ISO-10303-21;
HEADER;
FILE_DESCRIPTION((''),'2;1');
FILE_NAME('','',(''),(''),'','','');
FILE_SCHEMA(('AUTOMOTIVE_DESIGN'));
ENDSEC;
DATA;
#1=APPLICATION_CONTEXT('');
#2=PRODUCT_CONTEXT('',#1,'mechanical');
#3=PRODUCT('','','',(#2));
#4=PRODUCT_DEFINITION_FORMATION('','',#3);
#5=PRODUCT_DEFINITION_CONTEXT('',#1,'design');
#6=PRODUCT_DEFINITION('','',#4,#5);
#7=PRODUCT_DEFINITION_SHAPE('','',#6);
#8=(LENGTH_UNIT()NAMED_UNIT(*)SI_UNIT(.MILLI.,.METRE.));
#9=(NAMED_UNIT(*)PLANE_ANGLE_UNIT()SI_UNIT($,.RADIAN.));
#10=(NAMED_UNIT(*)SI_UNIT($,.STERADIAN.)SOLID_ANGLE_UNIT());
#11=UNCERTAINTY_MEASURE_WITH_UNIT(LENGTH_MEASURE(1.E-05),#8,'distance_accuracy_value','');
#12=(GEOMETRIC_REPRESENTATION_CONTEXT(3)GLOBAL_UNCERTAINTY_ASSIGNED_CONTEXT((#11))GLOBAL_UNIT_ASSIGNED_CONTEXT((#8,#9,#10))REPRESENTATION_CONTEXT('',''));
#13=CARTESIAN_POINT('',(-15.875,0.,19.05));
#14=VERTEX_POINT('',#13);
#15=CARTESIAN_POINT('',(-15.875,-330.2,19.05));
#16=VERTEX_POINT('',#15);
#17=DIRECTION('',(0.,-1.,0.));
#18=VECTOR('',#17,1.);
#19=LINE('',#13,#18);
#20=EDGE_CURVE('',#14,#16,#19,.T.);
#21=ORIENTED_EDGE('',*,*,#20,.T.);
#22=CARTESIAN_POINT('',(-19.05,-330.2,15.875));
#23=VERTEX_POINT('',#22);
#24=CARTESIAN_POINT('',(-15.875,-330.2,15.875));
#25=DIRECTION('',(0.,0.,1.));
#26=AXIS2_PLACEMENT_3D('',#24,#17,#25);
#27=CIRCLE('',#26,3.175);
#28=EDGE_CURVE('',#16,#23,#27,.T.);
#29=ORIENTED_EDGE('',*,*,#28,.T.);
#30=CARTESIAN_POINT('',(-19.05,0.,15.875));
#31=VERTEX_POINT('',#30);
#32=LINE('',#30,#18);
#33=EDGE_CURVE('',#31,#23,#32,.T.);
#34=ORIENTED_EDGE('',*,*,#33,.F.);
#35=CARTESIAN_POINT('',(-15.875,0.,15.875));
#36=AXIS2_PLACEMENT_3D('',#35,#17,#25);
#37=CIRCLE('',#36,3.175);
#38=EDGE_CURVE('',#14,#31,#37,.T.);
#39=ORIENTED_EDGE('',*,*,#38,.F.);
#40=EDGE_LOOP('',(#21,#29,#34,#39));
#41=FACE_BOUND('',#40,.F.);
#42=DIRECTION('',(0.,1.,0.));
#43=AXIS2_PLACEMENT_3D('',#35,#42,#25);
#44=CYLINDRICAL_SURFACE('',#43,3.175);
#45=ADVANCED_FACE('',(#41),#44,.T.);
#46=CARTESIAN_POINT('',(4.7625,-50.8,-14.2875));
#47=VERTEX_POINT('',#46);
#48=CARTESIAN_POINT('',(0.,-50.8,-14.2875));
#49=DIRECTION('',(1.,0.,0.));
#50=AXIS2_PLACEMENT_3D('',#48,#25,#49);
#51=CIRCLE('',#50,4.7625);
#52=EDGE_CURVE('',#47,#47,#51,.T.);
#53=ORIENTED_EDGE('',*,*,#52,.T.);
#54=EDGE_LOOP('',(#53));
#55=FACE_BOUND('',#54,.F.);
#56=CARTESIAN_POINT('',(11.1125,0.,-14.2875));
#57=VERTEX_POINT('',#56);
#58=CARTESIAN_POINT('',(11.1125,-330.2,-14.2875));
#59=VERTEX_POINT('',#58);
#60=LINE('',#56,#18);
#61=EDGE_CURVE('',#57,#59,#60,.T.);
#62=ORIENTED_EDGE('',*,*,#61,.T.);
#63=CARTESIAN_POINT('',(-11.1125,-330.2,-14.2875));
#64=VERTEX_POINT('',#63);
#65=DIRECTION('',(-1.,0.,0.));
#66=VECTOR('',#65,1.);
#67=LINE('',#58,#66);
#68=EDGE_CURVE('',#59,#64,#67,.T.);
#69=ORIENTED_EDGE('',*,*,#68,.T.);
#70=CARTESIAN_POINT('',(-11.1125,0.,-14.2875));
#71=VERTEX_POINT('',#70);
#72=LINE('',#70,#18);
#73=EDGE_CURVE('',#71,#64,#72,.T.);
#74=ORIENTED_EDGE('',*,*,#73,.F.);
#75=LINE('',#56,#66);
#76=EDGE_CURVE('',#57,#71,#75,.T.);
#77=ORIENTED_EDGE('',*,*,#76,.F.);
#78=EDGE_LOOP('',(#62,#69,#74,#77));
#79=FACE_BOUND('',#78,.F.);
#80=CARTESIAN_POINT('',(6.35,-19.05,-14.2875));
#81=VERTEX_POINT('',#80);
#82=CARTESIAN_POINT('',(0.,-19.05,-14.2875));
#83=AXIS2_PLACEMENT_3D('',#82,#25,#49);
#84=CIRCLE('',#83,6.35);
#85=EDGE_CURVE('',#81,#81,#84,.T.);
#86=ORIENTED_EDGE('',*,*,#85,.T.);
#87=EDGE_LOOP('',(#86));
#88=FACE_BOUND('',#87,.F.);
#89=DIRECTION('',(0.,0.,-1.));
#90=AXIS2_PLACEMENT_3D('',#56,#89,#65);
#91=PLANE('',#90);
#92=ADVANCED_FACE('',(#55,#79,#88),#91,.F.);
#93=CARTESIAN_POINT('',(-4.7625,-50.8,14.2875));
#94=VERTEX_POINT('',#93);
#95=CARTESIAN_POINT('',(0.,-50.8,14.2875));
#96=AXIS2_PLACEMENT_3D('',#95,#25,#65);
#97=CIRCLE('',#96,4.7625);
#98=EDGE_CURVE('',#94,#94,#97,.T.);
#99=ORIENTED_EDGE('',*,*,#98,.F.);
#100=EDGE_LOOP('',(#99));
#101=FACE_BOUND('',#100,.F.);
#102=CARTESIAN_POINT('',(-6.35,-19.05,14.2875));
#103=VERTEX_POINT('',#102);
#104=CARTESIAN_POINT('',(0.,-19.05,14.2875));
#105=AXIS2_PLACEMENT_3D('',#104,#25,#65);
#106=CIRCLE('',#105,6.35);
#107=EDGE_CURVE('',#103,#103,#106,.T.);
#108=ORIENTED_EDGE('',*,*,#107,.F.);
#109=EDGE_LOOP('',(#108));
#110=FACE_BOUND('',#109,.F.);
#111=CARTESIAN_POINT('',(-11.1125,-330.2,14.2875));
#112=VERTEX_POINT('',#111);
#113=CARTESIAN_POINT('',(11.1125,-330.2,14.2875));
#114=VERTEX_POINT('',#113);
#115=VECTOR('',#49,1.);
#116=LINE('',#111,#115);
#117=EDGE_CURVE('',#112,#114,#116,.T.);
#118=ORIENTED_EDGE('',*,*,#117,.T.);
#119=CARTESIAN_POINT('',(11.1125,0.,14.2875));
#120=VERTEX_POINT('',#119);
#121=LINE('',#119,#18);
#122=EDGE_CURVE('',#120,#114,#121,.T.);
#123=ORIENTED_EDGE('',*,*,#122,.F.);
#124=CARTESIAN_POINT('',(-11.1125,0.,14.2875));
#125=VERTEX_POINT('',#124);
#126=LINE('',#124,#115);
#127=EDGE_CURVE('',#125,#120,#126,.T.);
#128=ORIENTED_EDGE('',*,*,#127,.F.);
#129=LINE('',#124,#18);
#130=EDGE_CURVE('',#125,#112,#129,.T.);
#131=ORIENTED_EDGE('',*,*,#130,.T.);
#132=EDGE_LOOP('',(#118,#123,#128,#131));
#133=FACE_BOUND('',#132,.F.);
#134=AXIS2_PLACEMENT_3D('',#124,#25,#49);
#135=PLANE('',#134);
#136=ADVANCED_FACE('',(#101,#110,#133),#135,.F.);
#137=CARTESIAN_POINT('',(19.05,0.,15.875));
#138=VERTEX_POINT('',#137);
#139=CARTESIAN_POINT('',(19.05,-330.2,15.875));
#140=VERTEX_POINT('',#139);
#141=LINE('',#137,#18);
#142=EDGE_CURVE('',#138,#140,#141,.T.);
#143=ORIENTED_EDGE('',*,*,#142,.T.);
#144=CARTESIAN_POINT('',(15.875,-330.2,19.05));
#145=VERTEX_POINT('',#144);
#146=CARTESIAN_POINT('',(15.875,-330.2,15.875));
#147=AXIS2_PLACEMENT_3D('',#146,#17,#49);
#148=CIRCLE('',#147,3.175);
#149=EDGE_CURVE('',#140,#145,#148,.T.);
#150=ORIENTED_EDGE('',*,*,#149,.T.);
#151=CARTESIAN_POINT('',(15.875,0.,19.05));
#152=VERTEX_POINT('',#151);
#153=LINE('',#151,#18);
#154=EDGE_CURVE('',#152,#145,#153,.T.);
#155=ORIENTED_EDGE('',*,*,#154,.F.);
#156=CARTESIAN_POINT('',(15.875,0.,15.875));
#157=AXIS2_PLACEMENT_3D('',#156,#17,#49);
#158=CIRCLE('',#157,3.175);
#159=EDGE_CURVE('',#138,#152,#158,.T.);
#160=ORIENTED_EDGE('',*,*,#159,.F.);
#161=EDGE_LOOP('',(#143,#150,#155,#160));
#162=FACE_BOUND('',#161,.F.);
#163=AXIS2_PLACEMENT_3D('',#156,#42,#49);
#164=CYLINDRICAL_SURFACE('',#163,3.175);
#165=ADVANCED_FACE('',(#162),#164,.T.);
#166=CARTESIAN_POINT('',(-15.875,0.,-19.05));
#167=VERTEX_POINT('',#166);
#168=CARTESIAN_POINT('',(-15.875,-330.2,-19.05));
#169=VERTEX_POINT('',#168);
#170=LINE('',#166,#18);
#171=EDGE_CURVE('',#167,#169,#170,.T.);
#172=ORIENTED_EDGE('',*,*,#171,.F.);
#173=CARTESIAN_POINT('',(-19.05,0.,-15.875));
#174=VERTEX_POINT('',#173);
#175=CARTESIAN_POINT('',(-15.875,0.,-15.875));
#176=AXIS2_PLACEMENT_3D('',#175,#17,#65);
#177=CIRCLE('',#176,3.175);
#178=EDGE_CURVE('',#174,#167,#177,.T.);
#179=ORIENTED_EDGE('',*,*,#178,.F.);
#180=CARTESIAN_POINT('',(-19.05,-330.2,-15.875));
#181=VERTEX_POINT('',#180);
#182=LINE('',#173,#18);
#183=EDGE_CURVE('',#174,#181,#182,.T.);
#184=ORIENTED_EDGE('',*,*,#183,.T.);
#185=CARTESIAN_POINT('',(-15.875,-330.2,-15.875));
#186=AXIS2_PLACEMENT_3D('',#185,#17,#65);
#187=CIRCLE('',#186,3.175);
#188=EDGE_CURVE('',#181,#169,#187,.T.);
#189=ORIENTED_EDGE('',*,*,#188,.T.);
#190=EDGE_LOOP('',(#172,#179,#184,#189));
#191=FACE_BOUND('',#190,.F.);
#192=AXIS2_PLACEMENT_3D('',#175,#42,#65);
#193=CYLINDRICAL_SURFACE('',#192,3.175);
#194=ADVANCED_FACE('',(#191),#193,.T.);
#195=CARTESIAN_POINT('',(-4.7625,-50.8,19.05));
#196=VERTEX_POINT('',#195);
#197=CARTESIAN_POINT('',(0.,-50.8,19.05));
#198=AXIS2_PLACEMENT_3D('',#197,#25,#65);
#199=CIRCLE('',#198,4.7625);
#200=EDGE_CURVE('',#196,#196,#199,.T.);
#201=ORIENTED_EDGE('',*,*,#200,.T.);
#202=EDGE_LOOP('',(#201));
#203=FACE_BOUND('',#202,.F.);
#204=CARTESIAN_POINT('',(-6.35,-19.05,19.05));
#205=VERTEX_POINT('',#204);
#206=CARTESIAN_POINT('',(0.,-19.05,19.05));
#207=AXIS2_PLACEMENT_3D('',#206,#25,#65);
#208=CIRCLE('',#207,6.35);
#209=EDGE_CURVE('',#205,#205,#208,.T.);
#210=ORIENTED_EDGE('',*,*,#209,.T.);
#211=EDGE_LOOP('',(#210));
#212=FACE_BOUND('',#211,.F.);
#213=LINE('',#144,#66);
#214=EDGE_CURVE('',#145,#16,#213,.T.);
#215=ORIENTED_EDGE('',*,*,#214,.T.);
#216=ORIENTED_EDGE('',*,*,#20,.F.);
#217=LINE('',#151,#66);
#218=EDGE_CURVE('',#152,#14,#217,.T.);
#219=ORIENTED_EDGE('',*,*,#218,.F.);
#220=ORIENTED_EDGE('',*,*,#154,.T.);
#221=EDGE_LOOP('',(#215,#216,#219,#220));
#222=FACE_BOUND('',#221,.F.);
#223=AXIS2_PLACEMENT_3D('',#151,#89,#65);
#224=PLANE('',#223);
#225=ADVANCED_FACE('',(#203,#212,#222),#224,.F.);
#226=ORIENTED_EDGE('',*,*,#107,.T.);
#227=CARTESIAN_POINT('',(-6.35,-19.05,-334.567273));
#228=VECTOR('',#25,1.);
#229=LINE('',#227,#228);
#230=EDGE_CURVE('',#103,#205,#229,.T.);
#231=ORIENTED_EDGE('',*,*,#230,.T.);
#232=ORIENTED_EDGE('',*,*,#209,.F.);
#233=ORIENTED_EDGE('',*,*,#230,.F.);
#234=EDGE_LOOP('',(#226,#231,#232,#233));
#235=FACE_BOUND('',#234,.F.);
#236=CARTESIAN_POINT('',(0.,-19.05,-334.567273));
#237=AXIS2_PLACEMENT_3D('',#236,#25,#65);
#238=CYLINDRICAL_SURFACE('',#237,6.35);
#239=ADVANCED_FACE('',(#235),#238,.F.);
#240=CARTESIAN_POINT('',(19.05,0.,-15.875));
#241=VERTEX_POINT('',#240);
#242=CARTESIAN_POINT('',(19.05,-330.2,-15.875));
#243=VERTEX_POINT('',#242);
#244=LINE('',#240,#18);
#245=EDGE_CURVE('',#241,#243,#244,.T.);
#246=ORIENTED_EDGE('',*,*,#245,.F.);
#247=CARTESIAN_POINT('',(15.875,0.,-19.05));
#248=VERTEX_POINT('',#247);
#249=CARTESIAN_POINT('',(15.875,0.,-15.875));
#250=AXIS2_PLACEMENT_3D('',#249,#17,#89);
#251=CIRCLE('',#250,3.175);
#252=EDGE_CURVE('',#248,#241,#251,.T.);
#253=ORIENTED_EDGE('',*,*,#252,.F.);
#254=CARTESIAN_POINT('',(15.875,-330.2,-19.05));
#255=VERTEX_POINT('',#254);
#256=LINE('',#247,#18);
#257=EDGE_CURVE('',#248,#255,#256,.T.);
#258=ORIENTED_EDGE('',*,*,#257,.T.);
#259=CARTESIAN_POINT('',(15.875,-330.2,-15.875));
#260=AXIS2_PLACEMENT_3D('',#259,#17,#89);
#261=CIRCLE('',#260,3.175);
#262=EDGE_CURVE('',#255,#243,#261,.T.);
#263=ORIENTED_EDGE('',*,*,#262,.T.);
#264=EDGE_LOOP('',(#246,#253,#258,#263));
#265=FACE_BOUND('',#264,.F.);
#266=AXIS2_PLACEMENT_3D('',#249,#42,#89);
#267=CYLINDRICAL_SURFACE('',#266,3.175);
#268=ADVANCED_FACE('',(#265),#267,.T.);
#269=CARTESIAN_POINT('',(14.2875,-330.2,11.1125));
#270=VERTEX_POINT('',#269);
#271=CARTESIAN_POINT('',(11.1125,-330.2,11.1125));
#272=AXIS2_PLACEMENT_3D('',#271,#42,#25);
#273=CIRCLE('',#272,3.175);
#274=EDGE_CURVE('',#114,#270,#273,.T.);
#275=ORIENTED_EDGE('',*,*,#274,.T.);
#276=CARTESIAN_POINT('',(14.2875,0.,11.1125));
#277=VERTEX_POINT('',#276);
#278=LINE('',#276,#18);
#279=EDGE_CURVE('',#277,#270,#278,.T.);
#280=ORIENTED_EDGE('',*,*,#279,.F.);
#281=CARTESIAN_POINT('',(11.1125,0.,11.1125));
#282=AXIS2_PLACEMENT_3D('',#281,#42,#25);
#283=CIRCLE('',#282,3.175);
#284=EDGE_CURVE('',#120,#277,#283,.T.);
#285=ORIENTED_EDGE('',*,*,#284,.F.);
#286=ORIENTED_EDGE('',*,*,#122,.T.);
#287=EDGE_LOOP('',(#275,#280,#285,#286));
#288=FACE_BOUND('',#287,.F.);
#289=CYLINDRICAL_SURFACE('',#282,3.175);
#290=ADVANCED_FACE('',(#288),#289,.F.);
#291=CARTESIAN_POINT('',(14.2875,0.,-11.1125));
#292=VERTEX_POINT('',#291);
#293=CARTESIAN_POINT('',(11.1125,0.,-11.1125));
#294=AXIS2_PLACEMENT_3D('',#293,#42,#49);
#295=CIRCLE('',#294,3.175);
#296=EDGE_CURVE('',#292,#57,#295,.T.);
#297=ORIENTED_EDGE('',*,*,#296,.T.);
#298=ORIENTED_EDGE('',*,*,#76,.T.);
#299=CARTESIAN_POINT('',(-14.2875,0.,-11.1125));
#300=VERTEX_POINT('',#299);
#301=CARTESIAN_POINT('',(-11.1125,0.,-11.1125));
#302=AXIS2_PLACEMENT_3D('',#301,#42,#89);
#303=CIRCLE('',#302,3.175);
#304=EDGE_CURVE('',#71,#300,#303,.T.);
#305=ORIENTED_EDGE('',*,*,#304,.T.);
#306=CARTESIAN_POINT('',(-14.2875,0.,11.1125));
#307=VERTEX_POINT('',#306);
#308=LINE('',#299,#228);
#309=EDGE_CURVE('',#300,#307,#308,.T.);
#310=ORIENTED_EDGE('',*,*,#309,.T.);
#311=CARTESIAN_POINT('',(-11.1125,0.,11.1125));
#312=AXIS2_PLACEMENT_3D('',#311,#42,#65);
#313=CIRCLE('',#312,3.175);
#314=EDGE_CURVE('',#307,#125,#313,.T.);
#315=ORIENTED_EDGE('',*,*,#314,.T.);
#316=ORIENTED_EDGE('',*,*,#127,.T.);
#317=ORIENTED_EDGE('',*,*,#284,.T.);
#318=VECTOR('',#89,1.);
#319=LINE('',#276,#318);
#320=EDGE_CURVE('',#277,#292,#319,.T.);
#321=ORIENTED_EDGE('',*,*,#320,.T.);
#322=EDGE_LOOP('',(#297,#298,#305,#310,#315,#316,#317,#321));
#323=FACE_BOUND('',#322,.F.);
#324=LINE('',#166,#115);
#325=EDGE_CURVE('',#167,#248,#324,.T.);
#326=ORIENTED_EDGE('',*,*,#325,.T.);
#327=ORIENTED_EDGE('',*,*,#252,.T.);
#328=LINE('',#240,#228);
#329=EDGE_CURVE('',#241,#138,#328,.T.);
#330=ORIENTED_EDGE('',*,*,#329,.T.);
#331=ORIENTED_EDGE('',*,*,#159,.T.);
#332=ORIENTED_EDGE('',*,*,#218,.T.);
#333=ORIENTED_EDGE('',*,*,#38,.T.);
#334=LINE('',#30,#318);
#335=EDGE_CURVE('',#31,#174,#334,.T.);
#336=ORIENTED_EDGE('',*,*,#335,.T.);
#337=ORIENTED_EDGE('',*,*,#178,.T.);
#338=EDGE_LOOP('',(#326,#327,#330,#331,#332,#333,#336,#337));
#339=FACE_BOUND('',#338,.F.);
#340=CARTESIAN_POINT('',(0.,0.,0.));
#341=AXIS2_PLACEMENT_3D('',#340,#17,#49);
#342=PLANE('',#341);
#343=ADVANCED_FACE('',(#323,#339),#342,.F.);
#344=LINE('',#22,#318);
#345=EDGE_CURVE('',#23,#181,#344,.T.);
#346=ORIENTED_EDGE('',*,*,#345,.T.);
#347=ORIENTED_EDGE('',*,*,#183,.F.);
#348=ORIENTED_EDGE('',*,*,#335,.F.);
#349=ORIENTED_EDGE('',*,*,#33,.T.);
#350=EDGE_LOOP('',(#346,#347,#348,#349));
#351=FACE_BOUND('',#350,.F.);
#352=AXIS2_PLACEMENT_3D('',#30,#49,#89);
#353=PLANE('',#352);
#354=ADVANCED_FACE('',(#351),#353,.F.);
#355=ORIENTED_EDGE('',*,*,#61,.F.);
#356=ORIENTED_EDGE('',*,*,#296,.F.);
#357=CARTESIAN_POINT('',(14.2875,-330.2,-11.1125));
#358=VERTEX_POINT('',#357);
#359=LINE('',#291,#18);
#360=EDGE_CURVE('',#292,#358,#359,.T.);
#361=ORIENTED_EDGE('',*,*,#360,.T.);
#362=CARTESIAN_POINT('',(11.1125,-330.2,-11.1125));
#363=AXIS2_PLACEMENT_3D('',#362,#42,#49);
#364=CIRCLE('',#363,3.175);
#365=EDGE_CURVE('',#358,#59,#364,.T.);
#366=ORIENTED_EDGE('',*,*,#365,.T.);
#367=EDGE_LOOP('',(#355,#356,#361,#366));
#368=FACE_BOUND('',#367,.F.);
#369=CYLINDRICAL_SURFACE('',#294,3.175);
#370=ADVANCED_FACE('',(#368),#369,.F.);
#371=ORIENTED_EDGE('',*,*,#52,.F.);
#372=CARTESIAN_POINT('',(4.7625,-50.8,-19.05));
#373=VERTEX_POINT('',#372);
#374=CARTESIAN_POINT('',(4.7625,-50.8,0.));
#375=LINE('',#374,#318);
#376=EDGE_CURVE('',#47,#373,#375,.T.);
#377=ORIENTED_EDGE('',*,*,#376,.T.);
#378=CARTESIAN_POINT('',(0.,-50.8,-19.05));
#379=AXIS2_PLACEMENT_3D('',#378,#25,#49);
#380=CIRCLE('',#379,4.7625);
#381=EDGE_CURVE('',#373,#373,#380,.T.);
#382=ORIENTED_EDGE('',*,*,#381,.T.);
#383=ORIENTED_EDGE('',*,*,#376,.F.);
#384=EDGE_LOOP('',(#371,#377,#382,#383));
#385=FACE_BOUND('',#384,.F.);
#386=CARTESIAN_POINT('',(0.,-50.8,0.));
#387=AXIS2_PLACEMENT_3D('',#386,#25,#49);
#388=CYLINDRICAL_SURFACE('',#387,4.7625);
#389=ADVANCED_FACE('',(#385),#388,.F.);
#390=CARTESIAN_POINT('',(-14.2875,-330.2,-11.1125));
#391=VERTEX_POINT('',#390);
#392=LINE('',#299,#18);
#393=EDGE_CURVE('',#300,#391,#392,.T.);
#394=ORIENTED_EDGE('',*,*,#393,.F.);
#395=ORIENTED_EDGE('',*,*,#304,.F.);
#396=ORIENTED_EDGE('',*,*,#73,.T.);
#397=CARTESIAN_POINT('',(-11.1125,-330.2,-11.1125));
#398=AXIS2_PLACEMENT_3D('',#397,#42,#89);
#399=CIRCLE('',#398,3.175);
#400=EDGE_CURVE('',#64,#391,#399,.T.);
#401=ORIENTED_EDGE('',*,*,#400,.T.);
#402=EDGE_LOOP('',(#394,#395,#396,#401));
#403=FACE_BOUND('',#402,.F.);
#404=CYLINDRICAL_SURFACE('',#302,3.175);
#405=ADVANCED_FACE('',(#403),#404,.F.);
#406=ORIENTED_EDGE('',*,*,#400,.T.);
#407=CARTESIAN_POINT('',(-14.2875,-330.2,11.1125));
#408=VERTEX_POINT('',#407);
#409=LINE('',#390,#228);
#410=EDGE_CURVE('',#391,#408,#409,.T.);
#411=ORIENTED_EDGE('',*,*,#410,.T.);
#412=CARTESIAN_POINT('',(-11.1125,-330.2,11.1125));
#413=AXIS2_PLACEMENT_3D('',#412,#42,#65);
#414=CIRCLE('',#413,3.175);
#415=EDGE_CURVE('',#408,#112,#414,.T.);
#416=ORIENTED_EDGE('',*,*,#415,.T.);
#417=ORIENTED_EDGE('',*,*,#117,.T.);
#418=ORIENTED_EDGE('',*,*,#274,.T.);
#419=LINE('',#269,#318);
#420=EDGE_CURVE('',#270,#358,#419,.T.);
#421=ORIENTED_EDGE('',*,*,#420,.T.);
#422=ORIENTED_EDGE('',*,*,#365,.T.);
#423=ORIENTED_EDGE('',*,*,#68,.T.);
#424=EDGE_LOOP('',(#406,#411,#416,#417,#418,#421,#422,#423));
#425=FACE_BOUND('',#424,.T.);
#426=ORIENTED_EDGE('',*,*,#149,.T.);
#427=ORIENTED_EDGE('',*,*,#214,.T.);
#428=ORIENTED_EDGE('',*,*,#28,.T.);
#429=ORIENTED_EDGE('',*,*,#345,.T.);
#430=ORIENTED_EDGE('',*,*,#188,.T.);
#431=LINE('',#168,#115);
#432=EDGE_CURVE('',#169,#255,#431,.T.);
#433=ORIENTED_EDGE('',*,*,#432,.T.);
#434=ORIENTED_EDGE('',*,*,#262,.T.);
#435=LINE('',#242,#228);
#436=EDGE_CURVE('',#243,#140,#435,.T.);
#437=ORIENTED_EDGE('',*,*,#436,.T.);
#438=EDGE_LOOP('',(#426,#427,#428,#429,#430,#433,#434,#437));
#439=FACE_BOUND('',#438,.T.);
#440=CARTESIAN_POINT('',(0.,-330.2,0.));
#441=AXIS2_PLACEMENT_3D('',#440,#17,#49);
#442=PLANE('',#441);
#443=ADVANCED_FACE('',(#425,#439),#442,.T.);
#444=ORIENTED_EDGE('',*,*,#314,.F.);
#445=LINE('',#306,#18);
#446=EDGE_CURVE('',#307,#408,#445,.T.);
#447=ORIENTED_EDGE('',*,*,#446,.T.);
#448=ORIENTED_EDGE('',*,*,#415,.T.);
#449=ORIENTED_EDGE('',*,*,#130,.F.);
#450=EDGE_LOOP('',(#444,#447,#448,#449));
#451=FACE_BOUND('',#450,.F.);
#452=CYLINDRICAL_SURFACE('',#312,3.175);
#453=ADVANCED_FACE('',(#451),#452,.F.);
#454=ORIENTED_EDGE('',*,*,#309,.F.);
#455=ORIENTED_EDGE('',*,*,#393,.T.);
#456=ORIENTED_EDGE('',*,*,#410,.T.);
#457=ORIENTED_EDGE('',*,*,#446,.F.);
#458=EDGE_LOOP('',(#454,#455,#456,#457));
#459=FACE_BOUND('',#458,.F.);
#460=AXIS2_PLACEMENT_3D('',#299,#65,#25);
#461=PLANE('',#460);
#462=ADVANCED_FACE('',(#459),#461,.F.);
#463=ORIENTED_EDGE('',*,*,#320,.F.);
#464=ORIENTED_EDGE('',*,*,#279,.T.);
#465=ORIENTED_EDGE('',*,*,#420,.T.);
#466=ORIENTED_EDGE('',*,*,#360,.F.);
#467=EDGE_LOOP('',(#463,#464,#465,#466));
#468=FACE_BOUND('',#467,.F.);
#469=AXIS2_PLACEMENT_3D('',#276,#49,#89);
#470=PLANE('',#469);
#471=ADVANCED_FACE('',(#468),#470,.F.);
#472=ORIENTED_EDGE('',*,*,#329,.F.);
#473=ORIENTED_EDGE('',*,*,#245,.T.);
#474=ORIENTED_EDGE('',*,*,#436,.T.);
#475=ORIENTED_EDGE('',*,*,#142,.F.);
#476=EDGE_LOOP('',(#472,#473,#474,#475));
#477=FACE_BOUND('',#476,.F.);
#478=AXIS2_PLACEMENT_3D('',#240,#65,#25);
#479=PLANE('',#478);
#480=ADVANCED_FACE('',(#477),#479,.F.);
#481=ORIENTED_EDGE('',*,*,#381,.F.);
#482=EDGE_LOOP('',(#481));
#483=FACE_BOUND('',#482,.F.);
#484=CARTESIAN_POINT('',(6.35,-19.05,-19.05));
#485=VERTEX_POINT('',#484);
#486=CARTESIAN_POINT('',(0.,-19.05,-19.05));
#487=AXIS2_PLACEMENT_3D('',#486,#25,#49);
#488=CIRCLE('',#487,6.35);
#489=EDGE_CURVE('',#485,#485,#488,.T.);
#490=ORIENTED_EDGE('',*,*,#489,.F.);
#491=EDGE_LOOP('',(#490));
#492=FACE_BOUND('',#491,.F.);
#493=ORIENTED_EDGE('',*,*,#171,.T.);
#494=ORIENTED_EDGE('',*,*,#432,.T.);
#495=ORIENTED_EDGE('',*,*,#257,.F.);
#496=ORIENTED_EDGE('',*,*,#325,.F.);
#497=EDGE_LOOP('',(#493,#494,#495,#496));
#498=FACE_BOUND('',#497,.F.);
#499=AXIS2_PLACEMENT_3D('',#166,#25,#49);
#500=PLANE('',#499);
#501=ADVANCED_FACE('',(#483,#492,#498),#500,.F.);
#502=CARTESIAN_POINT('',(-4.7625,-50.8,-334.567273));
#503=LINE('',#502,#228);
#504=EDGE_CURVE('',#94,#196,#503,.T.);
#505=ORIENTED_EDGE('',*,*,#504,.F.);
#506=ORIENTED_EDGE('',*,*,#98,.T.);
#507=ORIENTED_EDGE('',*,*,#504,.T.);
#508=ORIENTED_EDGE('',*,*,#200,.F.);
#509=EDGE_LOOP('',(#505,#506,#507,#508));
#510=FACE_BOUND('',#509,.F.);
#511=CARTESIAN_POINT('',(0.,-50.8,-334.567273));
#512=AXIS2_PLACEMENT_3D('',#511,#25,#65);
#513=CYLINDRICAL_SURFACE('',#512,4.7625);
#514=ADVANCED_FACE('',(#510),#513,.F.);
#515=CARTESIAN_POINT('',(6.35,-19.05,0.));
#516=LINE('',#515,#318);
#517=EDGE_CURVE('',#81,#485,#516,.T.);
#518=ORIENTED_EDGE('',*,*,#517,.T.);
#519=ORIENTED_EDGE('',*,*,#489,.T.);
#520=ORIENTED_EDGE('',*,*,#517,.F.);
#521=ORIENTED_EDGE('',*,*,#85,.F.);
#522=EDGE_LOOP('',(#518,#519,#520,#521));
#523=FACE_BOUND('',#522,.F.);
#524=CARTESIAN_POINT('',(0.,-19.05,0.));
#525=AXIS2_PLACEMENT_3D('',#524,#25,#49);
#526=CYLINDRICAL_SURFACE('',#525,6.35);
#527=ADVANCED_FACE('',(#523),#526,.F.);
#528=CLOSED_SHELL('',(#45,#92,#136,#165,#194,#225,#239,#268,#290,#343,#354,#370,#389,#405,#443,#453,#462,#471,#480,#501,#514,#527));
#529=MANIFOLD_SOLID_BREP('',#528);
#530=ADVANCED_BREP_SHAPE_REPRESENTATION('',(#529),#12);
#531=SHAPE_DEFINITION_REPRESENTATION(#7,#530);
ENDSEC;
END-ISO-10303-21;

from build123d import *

# Parameters (mm, degrees)
F3_DEPTH = 330.2
F4_D     = 12.7
F4_DEPTH = 19.051
F5_D     = 12.7
F6_D     = 9.525
F6_DEPTH = 19.051
F2_D     = 9.525


with BuildPart() as f3:
    # F0 (on Front) → F3 (new body)
    with BuildSketch(Plane.XZ):
        with BuildLine():
            Line((-15.875, -19.05), (15.875, -19.05))
            ThreePointArc((15.875, -19.05), (18.1200640303, -18.1200640303), (19.05, -15.875))
            Line((19.05, -15.875), (19.05, 15.875))
            ThreePointArc((19.05, 15.875), (18.1200640303, 18.1200640303), (15.875, 19.05))
            Line((15.875, 19.05), (-15.875, 19.05))
            ThreePointArc((-15.875, 19.05), (-18.1200640303, 18.1200640303), (-19.05, 15.875))
            Line((-19.05, 15.875), (-19.05, -15.875))
            ThreePointArc((-19.05, -15.875), (-18.1200640303, -18.1200640303), (-15.875, -19.05))
        make_face()
        with BuildLine():
            ThreePointArc((14.2875, -11.1125), (13.3575640303, -13.3575640303), (11.1125, -14.2875))
            Line((11.1125, -14.2875), (-11.1125, -14.2875))
            ThreePointArc((-11.1125, -14.2875), (-13.3575640303, -13.3575640303), (-14.2875, -11.1125))
            Line((-14.2875, -11.1125), (-14.2875, 11.1125))
            ThreePointArc((-14.2875, 11.1125), (-13.3575640303, 13.3575640303), (-11.1125, 14.2875))
            Line((-11.1125, 14.2875), (11.1125, 14.2875))
            ThreePointArc((11.1125, 14.2875), (13.3575640303, 13.3575640303), (14.2875, 11.1125))
            Line((14.2875, 11.1125), (14.2875, -11.1125))
        make_face(mode=Mode.SUBTRACT)
    extrude(amount=F3_DEPTH)

    # F4 (through all, one way)
    with BuildSketch(Plane.XY):
        with Locations((0, -19.05)):
            Circle(F4_D / 2)
    extrude(amount=-F4_DEPTH, mode=Mode.SUBTRACT)

    # F5 (through all)
    with Locations(Plane(origin=(0, 0, 0), x_dir=(1, 0, 0), z_dir=(0, 0, -1))):
        with Locations((0, 19.05)):
            Hole(F5_D / 2)

    # F6 (through all, one way)
    with BuildSketch(Plane.XY):
        with Locations((0, -50.8)):
            Circle(F6_D / 2)
    extrude(amount=-F6_DEPTH, mode=Mode.SUBTRACT)

    # F2 (through all)
    with Locations(Plane(origin=(0, 0, 0), x_dir=(1, 0, 0), z_dir=(0, 0, -1))):
        with Locations((0, 50.8)):
            Hole(F2_D / 2)


solid = f3.part
